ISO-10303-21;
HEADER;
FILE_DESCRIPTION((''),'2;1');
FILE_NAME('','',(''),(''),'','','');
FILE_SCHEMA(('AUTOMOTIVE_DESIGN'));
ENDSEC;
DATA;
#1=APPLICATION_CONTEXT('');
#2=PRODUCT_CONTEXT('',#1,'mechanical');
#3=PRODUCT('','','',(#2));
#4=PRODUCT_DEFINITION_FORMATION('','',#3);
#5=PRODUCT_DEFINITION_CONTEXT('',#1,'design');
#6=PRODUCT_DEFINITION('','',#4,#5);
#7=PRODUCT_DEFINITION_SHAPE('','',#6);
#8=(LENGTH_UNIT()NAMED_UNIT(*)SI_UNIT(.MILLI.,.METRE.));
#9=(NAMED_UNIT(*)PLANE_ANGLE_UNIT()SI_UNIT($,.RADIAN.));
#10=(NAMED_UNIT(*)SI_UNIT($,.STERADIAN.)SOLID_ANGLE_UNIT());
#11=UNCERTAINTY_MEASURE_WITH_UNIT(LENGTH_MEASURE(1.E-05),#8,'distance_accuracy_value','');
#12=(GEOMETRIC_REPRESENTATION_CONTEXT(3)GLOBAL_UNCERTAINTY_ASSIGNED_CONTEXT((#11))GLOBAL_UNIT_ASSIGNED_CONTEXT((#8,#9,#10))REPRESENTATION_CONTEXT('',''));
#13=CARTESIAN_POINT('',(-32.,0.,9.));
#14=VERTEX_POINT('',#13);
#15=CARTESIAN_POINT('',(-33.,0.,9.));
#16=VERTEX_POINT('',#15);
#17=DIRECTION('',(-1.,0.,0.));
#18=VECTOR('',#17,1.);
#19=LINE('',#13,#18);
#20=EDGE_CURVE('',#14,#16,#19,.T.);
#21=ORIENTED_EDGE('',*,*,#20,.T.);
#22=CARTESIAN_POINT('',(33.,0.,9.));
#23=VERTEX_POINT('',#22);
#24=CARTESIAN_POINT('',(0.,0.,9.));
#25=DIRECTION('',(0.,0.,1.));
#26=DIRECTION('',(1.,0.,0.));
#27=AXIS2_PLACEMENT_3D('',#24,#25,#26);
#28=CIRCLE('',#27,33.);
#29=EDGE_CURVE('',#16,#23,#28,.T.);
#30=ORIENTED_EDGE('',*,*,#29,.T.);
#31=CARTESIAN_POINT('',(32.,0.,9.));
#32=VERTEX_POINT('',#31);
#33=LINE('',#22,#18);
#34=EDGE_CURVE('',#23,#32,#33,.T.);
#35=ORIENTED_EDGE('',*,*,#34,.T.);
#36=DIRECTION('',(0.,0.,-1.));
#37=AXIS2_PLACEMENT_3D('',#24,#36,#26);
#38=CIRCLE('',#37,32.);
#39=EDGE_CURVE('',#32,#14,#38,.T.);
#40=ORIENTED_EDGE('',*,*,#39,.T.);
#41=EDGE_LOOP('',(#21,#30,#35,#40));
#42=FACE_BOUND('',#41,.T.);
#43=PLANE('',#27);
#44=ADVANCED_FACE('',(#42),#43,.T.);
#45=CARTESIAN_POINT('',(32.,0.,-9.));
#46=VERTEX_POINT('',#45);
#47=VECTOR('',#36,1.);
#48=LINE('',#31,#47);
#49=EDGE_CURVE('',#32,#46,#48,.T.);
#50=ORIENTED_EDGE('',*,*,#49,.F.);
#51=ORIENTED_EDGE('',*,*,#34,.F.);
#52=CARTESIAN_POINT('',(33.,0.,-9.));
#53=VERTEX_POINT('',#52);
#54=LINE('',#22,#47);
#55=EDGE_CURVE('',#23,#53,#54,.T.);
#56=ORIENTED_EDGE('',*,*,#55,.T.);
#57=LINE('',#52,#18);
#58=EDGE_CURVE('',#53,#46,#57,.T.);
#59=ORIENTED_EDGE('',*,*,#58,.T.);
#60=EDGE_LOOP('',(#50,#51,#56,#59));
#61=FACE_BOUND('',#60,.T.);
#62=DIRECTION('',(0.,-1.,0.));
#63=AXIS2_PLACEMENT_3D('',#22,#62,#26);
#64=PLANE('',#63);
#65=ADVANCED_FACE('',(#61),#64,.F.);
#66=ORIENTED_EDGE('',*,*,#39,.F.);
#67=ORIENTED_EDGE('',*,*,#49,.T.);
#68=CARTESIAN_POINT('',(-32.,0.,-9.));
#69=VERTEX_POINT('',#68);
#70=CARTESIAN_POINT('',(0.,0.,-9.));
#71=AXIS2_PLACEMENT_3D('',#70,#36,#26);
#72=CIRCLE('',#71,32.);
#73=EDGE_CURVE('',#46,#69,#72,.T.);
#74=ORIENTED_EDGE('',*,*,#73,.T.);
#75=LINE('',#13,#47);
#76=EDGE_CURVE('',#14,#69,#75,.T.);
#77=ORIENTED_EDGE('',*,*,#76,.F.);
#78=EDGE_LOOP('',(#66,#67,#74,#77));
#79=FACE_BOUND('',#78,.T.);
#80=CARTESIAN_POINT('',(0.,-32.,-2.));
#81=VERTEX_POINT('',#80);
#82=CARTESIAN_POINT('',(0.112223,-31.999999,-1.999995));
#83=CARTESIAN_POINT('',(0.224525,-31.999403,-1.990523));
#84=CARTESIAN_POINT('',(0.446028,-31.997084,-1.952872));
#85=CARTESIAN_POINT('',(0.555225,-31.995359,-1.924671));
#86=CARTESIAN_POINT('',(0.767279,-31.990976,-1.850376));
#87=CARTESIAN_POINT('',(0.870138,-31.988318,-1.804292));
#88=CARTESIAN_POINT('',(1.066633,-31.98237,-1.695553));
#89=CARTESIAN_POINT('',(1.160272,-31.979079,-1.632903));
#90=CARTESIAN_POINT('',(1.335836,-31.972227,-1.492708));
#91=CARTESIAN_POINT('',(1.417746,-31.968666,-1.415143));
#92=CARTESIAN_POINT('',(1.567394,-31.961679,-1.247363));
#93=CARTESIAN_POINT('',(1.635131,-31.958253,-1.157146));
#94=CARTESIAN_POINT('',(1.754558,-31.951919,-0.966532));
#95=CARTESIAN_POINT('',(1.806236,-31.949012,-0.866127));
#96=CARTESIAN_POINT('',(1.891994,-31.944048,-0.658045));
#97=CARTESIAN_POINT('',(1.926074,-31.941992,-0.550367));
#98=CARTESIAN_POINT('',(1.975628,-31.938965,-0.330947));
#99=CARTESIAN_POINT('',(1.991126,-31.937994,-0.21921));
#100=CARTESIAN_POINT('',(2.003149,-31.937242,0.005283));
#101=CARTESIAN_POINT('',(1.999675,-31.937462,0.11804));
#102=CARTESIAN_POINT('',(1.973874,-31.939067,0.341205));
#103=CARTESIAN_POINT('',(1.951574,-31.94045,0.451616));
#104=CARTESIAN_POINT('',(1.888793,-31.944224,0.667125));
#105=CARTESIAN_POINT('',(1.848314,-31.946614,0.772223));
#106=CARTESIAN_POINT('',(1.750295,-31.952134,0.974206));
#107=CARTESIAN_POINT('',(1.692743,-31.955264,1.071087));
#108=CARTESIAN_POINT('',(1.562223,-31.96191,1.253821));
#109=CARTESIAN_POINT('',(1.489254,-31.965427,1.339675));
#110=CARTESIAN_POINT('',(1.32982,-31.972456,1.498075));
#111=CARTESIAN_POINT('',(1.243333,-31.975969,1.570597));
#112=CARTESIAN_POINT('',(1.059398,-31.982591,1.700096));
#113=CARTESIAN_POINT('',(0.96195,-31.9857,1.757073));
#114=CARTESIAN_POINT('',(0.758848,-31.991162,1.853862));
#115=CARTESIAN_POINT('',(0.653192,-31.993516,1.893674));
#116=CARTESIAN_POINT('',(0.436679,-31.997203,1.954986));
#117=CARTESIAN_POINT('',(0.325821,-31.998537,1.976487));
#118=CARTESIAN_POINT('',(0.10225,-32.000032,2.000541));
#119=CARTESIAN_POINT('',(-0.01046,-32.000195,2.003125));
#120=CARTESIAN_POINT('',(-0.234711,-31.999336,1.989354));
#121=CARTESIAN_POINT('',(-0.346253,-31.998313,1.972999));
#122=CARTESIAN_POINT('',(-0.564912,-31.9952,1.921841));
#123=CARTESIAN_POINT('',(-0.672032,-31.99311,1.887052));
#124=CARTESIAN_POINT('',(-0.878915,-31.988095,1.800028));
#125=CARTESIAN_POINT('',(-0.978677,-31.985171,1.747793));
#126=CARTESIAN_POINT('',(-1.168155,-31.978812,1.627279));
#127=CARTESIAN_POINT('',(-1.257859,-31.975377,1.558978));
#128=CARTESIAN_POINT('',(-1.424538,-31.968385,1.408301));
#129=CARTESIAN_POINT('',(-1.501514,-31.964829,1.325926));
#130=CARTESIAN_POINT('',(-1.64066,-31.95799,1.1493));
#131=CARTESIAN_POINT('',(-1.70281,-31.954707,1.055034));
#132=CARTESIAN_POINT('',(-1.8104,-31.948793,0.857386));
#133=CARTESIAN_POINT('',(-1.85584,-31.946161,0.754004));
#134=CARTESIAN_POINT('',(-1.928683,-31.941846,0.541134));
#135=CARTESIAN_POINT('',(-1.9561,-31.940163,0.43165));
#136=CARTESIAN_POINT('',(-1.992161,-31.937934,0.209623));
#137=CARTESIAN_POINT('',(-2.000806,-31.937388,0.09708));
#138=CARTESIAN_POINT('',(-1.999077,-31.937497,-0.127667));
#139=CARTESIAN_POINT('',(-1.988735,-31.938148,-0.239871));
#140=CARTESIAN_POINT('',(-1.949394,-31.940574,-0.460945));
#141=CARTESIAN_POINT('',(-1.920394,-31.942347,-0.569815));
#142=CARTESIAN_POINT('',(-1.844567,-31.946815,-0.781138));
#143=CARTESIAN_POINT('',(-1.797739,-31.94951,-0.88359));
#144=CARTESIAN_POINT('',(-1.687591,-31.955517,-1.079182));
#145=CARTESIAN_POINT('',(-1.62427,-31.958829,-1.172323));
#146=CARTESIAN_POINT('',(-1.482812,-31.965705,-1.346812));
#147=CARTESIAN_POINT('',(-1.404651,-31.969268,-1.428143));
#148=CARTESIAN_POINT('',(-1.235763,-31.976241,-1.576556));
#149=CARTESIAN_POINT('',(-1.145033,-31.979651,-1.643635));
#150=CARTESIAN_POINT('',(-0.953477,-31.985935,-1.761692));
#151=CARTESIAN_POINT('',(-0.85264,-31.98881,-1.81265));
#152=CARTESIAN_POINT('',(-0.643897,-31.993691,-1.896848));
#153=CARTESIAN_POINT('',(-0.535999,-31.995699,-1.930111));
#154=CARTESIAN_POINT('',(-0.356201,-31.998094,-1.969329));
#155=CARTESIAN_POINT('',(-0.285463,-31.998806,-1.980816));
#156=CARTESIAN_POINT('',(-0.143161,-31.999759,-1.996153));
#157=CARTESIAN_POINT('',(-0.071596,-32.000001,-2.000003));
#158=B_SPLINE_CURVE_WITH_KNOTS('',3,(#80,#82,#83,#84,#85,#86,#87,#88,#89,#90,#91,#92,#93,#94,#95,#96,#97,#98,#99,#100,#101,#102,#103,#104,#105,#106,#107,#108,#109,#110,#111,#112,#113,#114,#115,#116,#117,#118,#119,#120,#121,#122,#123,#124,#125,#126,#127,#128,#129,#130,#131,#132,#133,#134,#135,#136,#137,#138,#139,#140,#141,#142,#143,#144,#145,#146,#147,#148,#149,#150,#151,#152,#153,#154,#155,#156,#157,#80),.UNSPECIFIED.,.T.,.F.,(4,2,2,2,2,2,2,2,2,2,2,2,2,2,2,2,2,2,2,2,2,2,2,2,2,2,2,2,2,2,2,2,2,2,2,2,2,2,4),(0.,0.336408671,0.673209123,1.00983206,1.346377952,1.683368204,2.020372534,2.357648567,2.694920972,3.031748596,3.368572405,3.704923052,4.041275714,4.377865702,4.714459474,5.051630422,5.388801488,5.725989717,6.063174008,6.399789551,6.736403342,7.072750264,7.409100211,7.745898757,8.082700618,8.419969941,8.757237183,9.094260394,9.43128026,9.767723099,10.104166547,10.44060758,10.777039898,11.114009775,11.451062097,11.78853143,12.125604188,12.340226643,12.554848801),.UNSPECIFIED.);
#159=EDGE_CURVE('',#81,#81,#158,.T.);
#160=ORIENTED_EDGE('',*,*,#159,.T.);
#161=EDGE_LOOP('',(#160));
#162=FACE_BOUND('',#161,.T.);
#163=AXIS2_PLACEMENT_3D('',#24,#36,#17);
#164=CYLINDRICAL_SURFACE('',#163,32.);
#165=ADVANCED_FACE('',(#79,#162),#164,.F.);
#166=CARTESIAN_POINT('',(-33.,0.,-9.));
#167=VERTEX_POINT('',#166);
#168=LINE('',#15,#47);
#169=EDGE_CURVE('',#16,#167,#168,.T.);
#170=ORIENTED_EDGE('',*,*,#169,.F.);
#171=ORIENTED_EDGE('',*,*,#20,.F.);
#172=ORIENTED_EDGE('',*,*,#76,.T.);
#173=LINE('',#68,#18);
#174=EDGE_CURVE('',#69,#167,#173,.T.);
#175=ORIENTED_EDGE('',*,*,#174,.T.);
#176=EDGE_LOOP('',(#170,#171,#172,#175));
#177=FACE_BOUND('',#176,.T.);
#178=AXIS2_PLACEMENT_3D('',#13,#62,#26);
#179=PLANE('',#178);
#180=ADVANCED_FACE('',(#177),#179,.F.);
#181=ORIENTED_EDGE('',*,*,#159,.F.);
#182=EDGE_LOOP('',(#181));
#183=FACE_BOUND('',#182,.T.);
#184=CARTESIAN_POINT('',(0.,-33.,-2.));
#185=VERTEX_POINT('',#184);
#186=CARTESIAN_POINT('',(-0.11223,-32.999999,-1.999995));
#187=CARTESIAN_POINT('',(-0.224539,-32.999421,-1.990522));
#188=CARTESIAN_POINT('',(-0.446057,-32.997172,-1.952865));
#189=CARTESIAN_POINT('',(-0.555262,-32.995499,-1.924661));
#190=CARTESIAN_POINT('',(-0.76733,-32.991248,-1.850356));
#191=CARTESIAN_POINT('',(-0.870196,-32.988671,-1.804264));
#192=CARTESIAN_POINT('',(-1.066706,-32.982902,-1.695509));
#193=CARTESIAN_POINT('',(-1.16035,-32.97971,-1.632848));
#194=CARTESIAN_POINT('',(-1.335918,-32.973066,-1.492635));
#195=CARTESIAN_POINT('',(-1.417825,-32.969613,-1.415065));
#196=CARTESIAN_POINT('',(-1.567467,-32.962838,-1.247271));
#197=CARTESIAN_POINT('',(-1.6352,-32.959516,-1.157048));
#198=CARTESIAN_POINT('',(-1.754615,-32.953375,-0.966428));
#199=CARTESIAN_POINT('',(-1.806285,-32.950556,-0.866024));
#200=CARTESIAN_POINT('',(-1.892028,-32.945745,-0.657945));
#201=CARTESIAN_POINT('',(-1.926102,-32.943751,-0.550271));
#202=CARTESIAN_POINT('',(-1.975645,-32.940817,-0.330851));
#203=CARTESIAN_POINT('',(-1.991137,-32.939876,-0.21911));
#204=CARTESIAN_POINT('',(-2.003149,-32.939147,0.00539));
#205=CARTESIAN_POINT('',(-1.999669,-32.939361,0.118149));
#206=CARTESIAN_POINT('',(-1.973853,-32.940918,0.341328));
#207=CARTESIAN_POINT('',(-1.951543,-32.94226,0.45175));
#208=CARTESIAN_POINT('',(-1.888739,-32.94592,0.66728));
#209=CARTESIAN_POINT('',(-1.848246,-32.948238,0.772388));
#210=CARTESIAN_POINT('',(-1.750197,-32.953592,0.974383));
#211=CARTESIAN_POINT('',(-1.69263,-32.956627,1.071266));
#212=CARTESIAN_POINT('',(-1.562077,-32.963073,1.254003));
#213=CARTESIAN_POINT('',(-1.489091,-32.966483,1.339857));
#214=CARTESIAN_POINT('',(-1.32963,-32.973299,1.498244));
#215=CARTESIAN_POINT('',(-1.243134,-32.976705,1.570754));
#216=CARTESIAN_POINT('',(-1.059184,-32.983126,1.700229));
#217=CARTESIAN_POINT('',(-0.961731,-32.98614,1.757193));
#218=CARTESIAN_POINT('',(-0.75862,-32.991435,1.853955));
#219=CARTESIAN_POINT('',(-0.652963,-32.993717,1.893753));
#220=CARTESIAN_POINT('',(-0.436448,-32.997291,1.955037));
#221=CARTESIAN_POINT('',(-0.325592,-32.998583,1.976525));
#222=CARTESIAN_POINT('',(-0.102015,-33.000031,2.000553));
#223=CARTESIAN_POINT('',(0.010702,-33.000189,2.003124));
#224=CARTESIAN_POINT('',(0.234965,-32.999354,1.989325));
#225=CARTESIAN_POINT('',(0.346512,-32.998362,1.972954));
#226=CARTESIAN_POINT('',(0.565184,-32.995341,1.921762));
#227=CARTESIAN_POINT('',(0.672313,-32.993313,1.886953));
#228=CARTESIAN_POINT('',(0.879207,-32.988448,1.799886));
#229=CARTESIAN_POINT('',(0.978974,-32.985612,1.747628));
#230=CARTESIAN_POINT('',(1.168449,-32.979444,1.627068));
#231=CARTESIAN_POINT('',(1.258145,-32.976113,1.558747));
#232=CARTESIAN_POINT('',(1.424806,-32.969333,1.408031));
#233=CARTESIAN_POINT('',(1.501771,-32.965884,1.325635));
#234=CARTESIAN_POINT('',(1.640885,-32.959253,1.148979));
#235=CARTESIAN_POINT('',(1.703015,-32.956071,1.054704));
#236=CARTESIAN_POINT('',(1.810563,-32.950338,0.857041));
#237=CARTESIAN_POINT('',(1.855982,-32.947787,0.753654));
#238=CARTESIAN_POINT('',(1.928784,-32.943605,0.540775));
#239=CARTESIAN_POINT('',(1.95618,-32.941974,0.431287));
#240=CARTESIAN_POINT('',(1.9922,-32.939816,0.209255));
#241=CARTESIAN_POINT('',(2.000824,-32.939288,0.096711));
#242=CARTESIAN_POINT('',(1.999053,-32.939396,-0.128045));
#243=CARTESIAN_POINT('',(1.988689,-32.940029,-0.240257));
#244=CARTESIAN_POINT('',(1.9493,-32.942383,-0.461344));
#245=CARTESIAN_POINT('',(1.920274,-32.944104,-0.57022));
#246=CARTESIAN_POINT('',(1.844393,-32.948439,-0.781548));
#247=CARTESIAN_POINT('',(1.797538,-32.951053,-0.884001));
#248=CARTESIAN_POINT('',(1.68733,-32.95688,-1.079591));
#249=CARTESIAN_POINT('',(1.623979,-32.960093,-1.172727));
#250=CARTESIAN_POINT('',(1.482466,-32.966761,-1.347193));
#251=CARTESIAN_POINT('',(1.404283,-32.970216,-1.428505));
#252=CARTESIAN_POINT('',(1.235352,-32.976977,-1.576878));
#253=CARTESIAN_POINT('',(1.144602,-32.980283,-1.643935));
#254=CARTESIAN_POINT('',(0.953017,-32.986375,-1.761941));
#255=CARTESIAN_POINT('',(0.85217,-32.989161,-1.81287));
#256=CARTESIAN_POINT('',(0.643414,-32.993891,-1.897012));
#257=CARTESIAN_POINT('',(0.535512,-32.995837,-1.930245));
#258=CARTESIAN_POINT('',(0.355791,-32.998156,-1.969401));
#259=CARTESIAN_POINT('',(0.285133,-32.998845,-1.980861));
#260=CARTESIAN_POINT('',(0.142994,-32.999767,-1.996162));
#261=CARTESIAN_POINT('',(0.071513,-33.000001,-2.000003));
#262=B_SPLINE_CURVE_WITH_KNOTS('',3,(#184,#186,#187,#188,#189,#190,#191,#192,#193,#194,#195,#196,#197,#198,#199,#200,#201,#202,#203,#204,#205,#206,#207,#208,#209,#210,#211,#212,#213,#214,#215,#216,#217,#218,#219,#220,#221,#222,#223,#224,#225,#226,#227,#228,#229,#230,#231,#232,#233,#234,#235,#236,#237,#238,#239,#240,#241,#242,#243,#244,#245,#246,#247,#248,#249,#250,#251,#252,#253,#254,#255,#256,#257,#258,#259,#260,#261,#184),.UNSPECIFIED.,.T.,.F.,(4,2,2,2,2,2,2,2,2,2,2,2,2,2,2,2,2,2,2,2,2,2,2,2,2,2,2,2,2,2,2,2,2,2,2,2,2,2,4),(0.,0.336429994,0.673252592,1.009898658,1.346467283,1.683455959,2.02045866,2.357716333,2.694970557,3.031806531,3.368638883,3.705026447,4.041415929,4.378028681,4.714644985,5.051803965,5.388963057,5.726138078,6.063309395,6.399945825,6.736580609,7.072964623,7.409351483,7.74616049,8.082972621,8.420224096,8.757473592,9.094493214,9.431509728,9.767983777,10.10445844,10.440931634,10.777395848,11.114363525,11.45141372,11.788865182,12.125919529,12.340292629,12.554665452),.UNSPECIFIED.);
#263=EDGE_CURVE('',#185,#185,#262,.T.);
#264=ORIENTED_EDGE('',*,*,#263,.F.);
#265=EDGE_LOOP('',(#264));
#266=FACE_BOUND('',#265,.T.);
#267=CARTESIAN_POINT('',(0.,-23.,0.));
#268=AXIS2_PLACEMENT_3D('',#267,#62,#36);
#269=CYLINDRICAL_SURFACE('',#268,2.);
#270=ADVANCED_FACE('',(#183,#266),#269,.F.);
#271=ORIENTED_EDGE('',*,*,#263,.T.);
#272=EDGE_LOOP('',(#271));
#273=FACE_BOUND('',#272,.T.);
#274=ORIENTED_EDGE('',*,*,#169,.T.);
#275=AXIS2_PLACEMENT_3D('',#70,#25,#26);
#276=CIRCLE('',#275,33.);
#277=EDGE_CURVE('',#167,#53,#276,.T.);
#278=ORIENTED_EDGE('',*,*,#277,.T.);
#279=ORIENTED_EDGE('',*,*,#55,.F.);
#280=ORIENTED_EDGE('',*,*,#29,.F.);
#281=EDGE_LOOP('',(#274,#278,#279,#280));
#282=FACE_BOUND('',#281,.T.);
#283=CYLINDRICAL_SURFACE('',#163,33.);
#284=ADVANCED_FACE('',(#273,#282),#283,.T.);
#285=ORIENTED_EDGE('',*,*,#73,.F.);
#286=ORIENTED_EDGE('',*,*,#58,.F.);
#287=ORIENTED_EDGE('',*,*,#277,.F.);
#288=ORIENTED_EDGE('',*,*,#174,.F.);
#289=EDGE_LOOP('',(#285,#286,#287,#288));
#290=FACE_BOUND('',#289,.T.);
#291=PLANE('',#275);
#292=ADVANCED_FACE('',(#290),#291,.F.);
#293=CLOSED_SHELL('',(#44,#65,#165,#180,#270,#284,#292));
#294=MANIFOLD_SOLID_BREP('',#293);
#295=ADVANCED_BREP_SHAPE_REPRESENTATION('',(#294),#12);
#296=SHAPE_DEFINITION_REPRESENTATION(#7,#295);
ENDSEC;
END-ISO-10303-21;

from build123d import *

# Parameters (mm, degrees)
SALIENTE_EXTRUIR1_DEPTH = 9
CROQUIS2_R              = 2
CORTAR_EXTRUIR1_DEPTH   = 10


with BuildPart() as part:
    # Croquis1 → Saliente-Extruir1 (new, symmetric)
    with BuildSketch(Plane.XY):
        with BuildLine():
            Line((-32, 0), (-33, 0))
            ThreePointArc((-33, 0), (0, -33), (33, 0))
            Line((33, 0), (32, 0))
            ThreePointArc((32, 0), (0, -32), (-32, 0))
        make_face()
    extrude(amount=SALIENTE_EXTRUIR1_DEPTH, both=True)

    # Croquis2 → Cortar-Extruir1 (cut)
    with BuildSketch(Plane.XZ.offset(33)):
        with Locations(Location((0, 0, 0), (0, 0, 270))):
            Circle(CROQUIS2_R)
    extrude(amount=-CORTAR_EXTRUIR1_DEPTH, mode=Mode.SUBTRACT)


solid = part.part
